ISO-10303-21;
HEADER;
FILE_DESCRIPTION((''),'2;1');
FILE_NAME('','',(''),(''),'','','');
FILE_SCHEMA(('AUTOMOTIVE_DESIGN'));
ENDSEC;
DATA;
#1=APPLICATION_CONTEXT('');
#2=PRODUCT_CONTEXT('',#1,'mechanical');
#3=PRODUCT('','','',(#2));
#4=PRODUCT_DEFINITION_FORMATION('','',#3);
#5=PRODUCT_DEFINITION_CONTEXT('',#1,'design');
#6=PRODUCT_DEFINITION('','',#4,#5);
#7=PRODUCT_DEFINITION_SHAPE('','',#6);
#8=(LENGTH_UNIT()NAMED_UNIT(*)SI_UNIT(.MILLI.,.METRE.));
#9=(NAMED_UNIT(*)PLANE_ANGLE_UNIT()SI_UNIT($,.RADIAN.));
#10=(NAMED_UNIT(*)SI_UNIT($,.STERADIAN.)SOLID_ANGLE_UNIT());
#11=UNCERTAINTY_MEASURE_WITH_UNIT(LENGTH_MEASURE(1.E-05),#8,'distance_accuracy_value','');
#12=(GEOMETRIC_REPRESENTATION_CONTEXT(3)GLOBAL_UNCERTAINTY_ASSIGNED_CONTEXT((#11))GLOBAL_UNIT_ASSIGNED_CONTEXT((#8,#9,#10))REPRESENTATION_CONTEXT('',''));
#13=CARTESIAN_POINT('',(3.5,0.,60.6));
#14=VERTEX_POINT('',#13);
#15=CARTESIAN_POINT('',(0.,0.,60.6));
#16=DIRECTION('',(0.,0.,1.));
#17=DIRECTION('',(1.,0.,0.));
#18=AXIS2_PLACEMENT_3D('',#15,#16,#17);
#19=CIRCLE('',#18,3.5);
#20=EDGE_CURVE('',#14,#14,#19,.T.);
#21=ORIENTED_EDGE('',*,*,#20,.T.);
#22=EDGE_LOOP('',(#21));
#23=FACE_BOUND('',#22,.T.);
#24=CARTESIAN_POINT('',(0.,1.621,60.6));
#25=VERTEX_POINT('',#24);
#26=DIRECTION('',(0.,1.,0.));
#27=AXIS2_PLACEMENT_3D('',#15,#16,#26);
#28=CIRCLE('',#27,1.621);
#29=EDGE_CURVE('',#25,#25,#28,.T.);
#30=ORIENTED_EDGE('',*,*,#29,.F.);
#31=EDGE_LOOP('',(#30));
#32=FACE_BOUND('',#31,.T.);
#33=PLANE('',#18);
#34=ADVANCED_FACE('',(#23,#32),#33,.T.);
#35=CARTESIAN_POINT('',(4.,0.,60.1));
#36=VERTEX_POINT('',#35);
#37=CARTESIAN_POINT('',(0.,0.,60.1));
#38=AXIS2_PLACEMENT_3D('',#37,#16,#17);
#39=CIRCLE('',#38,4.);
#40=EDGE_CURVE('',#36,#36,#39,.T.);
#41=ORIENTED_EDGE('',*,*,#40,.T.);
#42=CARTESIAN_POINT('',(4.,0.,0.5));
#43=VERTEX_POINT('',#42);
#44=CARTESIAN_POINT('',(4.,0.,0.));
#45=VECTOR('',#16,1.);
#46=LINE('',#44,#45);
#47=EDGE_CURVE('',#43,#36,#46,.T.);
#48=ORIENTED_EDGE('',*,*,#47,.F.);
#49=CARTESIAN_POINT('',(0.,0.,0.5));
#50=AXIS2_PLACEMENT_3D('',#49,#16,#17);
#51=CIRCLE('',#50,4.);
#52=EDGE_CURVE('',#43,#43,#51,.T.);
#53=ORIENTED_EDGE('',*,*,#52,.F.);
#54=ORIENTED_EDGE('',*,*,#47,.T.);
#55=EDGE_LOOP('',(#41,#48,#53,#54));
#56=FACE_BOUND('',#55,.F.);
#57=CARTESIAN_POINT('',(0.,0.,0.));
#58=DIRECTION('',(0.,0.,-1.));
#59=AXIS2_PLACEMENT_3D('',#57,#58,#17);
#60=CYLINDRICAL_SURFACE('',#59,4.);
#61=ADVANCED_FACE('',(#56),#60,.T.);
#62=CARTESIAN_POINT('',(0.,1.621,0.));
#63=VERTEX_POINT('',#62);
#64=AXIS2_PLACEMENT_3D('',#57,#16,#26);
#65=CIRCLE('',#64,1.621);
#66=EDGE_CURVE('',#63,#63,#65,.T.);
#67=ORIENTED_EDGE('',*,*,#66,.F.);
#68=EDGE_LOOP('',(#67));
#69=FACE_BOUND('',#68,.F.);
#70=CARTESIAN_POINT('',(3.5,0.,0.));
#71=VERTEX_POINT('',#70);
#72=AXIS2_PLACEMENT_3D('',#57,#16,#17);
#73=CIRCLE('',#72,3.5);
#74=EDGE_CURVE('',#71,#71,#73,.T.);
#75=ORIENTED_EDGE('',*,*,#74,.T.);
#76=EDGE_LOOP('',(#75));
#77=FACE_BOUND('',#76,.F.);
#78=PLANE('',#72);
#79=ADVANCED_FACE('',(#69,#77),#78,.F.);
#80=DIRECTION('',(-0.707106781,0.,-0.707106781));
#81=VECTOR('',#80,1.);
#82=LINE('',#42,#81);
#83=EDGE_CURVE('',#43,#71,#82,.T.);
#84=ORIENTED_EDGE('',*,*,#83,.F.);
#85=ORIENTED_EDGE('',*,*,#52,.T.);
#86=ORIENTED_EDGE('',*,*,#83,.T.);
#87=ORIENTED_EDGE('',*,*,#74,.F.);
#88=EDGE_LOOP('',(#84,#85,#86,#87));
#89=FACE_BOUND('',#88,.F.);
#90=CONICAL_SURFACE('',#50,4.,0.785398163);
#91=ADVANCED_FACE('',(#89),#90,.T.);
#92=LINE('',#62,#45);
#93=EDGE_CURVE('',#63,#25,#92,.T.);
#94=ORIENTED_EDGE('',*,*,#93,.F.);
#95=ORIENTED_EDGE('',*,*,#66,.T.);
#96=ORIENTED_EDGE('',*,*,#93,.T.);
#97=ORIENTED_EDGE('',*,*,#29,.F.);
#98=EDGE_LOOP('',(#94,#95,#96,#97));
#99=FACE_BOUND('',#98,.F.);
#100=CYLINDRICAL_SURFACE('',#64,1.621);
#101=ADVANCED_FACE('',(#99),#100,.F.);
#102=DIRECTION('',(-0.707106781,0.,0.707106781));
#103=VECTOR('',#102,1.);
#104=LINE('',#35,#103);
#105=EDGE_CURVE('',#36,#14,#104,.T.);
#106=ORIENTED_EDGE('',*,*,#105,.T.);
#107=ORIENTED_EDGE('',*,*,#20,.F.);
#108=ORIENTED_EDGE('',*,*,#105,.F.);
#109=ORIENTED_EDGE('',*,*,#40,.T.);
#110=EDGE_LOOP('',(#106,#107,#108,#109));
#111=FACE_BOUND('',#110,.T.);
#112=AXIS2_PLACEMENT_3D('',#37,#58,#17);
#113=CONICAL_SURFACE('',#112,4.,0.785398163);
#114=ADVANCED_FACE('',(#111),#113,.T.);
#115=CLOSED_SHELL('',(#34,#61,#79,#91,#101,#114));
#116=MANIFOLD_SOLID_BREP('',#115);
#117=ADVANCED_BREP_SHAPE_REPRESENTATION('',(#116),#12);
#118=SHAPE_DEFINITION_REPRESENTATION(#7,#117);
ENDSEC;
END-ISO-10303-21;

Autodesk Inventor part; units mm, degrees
ref_plane "YZ Plane" through (0, 0, 0) normal (1, 0, 0) x (0, 1, 0)
ref_plane "XZ Plane" through (0, 0, 0) normal (0, 1, 0) x (-1, 0, 0)
ref_plane "XY Plane" through (0, 0, 0) normal (0, 0, 1) x (1, 0, 0)
sketch "Sketch1" plane through (0, 0, 0) normal (0, 0, 1) x (1, 0, 0)
  circle A0 centre (0, 0) radius 4
  dimension "d0" = 8
extrude "Extrusion1" add sketch "Sketch1" along normal blind 60.6
chamfer "Chamfer1" distance 0.5 angle 45 2 edges at (-4, 0, 0) (-4, 0, 60.6)
hole "Hole1" at (0, 0, 0) direction (0, 0, 1) diameter 3.242 end through all thread size "M4x0.7" class "6H" standard "ISO Metric profile"
properties part number "asjes" material "Aluminum 6061"
